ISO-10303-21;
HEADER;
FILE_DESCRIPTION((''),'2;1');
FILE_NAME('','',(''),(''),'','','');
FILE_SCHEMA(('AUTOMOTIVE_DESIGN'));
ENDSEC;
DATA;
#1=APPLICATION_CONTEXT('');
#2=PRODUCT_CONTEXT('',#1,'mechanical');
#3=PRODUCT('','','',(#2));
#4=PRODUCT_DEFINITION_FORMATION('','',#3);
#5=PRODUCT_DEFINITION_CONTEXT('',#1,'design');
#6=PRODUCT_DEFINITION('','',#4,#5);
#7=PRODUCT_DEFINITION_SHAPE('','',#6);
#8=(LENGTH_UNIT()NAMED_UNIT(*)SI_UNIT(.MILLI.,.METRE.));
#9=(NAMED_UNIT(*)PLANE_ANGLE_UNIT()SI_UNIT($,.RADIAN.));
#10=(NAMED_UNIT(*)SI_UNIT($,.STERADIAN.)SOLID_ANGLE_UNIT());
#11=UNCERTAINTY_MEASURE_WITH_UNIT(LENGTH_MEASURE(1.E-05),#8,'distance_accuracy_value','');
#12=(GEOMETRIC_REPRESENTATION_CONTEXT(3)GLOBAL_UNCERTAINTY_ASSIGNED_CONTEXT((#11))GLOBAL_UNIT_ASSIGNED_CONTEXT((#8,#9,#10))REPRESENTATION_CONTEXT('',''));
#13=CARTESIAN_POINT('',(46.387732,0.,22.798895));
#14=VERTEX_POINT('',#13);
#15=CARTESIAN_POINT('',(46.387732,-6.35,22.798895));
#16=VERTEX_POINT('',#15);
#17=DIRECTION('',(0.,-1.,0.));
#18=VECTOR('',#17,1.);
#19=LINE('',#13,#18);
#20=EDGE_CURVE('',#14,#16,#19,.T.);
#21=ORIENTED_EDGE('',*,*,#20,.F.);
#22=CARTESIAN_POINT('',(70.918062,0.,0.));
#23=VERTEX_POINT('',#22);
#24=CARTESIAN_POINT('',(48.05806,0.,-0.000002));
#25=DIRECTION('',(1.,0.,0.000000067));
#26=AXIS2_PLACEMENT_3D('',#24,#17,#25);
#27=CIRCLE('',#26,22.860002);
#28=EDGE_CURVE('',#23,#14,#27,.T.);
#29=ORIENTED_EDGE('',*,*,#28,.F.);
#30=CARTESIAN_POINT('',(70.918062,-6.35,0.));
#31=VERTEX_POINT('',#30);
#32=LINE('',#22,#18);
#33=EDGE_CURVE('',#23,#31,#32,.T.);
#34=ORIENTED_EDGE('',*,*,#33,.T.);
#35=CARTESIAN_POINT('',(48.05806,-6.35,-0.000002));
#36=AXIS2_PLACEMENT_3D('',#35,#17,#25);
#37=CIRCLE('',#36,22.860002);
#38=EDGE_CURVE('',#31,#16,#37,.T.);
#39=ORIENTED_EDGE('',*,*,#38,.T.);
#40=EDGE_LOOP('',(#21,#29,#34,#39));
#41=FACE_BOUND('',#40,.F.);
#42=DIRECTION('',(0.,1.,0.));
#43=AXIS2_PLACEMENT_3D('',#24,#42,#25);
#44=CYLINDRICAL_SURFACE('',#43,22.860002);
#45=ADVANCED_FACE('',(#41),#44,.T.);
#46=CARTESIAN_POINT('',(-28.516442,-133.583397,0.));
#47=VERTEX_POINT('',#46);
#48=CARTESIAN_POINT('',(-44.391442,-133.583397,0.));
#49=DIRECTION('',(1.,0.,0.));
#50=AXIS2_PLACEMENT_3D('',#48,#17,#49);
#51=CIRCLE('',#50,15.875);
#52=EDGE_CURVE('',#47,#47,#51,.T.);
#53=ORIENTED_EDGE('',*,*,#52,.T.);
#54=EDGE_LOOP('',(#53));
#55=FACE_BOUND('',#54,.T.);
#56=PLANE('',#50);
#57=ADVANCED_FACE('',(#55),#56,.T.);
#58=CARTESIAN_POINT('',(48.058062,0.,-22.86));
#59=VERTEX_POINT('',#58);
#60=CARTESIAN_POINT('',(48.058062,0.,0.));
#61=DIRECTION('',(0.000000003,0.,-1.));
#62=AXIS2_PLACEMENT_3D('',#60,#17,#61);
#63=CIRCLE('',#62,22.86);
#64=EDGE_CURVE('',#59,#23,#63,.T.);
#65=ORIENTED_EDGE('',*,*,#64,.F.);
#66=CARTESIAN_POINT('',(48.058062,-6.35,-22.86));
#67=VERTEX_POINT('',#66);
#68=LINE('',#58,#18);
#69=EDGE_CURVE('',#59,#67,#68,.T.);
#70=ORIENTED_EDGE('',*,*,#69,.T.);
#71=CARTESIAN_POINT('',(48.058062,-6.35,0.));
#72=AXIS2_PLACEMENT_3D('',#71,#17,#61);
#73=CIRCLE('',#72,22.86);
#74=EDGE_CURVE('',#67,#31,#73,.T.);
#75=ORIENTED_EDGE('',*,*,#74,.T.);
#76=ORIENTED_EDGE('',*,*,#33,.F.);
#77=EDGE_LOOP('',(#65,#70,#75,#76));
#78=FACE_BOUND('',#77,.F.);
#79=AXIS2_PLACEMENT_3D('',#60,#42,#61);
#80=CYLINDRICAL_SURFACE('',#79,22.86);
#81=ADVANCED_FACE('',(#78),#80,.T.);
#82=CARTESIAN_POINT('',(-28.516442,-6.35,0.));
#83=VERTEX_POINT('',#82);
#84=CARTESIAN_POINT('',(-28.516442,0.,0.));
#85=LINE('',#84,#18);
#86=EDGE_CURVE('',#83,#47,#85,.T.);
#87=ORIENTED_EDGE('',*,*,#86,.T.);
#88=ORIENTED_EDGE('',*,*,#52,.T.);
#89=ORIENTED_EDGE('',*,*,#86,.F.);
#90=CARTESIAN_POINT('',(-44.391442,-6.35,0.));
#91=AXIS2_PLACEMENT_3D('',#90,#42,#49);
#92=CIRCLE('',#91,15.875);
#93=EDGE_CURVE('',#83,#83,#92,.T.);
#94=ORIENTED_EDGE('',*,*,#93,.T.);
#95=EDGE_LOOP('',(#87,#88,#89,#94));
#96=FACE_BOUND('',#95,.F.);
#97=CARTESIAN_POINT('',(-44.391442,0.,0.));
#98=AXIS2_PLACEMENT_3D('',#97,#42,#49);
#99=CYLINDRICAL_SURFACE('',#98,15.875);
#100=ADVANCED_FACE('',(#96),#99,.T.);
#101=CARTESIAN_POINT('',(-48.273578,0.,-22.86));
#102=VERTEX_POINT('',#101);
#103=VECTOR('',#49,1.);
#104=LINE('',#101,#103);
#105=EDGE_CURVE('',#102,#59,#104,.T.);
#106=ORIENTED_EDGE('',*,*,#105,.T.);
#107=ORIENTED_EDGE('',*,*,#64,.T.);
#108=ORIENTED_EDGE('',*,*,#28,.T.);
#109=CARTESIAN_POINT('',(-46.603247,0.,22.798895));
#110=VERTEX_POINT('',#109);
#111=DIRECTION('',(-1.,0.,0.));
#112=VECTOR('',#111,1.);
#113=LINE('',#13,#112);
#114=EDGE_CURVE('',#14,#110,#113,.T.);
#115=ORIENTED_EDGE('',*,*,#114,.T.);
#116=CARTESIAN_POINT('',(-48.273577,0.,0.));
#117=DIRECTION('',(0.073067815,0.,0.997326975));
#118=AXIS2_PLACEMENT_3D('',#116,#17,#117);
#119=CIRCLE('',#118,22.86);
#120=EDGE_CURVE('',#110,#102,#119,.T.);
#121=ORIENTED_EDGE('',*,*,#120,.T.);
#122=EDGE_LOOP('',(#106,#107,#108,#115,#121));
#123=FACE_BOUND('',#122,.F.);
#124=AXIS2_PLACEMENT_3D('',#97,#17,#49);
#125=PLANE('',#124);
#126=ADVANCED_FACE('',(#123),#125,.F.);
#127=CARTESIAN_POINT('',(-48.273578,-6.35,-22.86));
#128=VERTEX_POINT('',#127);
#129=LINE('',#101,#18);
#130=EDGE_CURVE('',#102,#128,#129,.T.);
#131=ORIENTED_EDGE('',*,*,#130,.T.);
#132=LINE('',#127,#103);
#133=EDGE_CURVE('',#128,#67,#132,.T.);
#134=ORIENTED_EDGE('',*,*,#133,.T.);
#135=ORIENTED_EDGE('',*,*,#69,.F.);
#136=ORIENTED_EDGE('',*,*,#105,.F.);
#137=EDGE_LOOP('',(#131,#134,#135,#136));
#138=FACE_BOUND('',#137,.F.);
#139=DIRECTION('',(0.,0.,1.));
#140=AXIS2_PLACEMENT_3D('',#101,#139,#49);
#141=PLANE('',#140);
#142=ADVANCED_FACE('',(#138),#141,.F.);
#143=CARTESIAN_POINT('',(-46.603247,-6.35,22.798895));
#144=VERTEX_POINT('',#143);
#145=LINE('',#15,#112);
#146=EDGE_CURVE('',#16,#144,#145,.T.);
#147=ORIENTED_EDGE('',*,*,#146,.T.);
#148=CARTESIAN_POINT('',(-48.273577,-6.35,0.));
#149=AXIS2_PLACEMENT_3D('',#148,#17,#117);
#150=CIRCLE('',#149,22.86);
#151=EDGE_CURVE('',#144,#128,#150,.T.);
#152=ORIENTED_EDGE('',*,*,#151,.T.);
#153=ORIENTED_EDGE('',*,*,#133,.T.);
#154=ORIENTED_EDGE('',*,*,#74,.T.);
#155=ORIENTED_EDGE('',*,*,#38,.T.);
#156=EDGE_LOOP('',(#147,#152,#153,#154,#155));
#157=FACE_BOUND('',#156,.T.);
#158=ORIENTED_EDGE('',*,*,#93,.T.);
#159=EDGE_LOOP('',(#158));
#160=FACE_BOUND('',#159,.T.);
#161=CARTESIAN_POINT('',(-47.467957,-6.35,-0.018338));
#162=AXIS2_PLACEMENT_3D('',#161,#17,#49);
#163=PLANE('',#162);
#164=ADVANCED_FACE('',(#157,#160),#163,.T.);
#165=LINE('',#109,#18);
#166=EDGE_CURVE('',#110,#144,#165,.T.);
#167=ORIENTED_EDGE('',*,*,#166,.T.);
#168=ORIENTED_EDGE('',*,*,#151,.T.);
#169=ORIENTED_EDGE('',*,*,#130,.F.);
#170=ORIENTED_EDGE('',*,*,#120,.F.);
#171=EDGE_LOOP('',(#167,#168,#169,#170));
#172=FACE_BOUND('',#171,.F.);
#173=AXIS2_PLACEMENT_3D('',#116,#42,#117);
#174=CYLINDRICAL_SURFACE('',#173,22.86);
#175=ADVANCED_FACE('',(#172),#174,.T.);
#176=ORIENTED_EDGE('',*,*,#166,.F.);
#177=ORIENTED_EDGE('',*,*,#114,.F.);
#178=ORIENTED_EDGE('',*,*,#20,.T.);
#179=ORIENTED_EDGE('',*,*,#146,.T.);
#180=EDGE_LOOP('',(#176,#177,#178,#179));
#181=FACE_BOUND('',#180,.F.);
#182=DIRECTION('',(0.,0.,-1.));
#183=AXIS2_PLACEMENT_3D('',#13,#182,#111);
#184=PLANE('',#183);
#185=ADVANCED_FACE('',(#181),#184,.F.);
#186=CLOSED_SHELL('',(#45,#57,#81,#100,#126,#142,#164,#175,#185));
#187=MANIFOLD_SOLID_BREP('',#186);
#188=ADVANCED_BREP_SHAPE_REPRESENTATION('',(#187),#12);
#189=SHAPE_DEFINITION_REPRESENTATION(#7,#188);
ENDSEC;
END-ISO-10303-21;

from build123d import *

# Parameters (mm, degrees)
F1_DEPTH = 6.35
F2_R     = 15.875
F3_DEPTH = 133.583397


with BuildPart() as f1:
    # F0 (on Front) → F1 (new body)
    with BuildSketch(Plane.XZ):
        with BuildLine():
            ThreePointArc((-48.273578, -22.86), (-32.109117, -16.164461), (-25.413578, 0))
            ThreePointArc((-25.413578, 0), (-31.528976, 15.562709), (-46.603247, 22.798895))
            ThreePointArc((-46.603247, 22.798895), (-71.118296, 0.835724), (-48.273578, -22.86))
        make_face()
        with BuildLine():
            ThreePointArc((-46.603247, 22.798895), (-31.528976, 15.562709), (-25.413578, 0))
            ThreePointArc((-25.413578, 0), (-32.109117, -16.164461), (-48.273578, -22.86))
            Line((-48.273578, -22.86), (48.058062, -22.86))
            ThreePointArc((48.058062, -22.86), (25.213343, -0.835724), (46.387732, 22.798895))
            Line((46.387732, 22.798895), (-46.603247, 22.798895))
        make_face()
        with BuildLine():
            ThreePointArc((70.918062, 0), (63.620771, 16.744601), (46.387732, 22.798895))
            ThreePointArc((46.387732, 22.798895), (25.213343, -0.835724), (48.058062, -22.86))
            ThreePointArc((48.058062, -22.86), (64.222523, -16.164461), (70.918062, 0))
        make_face()
    extrude(amount=F1_DEPTH)

    # F2 (on Front) → F3 (join)
    with BuildSketch(Plane.XZ):
        with Locations((-44.391442, 0)):
            Circle(F2_R)
    extrude(amount=F3_DEPTH)


solid = f1.part
